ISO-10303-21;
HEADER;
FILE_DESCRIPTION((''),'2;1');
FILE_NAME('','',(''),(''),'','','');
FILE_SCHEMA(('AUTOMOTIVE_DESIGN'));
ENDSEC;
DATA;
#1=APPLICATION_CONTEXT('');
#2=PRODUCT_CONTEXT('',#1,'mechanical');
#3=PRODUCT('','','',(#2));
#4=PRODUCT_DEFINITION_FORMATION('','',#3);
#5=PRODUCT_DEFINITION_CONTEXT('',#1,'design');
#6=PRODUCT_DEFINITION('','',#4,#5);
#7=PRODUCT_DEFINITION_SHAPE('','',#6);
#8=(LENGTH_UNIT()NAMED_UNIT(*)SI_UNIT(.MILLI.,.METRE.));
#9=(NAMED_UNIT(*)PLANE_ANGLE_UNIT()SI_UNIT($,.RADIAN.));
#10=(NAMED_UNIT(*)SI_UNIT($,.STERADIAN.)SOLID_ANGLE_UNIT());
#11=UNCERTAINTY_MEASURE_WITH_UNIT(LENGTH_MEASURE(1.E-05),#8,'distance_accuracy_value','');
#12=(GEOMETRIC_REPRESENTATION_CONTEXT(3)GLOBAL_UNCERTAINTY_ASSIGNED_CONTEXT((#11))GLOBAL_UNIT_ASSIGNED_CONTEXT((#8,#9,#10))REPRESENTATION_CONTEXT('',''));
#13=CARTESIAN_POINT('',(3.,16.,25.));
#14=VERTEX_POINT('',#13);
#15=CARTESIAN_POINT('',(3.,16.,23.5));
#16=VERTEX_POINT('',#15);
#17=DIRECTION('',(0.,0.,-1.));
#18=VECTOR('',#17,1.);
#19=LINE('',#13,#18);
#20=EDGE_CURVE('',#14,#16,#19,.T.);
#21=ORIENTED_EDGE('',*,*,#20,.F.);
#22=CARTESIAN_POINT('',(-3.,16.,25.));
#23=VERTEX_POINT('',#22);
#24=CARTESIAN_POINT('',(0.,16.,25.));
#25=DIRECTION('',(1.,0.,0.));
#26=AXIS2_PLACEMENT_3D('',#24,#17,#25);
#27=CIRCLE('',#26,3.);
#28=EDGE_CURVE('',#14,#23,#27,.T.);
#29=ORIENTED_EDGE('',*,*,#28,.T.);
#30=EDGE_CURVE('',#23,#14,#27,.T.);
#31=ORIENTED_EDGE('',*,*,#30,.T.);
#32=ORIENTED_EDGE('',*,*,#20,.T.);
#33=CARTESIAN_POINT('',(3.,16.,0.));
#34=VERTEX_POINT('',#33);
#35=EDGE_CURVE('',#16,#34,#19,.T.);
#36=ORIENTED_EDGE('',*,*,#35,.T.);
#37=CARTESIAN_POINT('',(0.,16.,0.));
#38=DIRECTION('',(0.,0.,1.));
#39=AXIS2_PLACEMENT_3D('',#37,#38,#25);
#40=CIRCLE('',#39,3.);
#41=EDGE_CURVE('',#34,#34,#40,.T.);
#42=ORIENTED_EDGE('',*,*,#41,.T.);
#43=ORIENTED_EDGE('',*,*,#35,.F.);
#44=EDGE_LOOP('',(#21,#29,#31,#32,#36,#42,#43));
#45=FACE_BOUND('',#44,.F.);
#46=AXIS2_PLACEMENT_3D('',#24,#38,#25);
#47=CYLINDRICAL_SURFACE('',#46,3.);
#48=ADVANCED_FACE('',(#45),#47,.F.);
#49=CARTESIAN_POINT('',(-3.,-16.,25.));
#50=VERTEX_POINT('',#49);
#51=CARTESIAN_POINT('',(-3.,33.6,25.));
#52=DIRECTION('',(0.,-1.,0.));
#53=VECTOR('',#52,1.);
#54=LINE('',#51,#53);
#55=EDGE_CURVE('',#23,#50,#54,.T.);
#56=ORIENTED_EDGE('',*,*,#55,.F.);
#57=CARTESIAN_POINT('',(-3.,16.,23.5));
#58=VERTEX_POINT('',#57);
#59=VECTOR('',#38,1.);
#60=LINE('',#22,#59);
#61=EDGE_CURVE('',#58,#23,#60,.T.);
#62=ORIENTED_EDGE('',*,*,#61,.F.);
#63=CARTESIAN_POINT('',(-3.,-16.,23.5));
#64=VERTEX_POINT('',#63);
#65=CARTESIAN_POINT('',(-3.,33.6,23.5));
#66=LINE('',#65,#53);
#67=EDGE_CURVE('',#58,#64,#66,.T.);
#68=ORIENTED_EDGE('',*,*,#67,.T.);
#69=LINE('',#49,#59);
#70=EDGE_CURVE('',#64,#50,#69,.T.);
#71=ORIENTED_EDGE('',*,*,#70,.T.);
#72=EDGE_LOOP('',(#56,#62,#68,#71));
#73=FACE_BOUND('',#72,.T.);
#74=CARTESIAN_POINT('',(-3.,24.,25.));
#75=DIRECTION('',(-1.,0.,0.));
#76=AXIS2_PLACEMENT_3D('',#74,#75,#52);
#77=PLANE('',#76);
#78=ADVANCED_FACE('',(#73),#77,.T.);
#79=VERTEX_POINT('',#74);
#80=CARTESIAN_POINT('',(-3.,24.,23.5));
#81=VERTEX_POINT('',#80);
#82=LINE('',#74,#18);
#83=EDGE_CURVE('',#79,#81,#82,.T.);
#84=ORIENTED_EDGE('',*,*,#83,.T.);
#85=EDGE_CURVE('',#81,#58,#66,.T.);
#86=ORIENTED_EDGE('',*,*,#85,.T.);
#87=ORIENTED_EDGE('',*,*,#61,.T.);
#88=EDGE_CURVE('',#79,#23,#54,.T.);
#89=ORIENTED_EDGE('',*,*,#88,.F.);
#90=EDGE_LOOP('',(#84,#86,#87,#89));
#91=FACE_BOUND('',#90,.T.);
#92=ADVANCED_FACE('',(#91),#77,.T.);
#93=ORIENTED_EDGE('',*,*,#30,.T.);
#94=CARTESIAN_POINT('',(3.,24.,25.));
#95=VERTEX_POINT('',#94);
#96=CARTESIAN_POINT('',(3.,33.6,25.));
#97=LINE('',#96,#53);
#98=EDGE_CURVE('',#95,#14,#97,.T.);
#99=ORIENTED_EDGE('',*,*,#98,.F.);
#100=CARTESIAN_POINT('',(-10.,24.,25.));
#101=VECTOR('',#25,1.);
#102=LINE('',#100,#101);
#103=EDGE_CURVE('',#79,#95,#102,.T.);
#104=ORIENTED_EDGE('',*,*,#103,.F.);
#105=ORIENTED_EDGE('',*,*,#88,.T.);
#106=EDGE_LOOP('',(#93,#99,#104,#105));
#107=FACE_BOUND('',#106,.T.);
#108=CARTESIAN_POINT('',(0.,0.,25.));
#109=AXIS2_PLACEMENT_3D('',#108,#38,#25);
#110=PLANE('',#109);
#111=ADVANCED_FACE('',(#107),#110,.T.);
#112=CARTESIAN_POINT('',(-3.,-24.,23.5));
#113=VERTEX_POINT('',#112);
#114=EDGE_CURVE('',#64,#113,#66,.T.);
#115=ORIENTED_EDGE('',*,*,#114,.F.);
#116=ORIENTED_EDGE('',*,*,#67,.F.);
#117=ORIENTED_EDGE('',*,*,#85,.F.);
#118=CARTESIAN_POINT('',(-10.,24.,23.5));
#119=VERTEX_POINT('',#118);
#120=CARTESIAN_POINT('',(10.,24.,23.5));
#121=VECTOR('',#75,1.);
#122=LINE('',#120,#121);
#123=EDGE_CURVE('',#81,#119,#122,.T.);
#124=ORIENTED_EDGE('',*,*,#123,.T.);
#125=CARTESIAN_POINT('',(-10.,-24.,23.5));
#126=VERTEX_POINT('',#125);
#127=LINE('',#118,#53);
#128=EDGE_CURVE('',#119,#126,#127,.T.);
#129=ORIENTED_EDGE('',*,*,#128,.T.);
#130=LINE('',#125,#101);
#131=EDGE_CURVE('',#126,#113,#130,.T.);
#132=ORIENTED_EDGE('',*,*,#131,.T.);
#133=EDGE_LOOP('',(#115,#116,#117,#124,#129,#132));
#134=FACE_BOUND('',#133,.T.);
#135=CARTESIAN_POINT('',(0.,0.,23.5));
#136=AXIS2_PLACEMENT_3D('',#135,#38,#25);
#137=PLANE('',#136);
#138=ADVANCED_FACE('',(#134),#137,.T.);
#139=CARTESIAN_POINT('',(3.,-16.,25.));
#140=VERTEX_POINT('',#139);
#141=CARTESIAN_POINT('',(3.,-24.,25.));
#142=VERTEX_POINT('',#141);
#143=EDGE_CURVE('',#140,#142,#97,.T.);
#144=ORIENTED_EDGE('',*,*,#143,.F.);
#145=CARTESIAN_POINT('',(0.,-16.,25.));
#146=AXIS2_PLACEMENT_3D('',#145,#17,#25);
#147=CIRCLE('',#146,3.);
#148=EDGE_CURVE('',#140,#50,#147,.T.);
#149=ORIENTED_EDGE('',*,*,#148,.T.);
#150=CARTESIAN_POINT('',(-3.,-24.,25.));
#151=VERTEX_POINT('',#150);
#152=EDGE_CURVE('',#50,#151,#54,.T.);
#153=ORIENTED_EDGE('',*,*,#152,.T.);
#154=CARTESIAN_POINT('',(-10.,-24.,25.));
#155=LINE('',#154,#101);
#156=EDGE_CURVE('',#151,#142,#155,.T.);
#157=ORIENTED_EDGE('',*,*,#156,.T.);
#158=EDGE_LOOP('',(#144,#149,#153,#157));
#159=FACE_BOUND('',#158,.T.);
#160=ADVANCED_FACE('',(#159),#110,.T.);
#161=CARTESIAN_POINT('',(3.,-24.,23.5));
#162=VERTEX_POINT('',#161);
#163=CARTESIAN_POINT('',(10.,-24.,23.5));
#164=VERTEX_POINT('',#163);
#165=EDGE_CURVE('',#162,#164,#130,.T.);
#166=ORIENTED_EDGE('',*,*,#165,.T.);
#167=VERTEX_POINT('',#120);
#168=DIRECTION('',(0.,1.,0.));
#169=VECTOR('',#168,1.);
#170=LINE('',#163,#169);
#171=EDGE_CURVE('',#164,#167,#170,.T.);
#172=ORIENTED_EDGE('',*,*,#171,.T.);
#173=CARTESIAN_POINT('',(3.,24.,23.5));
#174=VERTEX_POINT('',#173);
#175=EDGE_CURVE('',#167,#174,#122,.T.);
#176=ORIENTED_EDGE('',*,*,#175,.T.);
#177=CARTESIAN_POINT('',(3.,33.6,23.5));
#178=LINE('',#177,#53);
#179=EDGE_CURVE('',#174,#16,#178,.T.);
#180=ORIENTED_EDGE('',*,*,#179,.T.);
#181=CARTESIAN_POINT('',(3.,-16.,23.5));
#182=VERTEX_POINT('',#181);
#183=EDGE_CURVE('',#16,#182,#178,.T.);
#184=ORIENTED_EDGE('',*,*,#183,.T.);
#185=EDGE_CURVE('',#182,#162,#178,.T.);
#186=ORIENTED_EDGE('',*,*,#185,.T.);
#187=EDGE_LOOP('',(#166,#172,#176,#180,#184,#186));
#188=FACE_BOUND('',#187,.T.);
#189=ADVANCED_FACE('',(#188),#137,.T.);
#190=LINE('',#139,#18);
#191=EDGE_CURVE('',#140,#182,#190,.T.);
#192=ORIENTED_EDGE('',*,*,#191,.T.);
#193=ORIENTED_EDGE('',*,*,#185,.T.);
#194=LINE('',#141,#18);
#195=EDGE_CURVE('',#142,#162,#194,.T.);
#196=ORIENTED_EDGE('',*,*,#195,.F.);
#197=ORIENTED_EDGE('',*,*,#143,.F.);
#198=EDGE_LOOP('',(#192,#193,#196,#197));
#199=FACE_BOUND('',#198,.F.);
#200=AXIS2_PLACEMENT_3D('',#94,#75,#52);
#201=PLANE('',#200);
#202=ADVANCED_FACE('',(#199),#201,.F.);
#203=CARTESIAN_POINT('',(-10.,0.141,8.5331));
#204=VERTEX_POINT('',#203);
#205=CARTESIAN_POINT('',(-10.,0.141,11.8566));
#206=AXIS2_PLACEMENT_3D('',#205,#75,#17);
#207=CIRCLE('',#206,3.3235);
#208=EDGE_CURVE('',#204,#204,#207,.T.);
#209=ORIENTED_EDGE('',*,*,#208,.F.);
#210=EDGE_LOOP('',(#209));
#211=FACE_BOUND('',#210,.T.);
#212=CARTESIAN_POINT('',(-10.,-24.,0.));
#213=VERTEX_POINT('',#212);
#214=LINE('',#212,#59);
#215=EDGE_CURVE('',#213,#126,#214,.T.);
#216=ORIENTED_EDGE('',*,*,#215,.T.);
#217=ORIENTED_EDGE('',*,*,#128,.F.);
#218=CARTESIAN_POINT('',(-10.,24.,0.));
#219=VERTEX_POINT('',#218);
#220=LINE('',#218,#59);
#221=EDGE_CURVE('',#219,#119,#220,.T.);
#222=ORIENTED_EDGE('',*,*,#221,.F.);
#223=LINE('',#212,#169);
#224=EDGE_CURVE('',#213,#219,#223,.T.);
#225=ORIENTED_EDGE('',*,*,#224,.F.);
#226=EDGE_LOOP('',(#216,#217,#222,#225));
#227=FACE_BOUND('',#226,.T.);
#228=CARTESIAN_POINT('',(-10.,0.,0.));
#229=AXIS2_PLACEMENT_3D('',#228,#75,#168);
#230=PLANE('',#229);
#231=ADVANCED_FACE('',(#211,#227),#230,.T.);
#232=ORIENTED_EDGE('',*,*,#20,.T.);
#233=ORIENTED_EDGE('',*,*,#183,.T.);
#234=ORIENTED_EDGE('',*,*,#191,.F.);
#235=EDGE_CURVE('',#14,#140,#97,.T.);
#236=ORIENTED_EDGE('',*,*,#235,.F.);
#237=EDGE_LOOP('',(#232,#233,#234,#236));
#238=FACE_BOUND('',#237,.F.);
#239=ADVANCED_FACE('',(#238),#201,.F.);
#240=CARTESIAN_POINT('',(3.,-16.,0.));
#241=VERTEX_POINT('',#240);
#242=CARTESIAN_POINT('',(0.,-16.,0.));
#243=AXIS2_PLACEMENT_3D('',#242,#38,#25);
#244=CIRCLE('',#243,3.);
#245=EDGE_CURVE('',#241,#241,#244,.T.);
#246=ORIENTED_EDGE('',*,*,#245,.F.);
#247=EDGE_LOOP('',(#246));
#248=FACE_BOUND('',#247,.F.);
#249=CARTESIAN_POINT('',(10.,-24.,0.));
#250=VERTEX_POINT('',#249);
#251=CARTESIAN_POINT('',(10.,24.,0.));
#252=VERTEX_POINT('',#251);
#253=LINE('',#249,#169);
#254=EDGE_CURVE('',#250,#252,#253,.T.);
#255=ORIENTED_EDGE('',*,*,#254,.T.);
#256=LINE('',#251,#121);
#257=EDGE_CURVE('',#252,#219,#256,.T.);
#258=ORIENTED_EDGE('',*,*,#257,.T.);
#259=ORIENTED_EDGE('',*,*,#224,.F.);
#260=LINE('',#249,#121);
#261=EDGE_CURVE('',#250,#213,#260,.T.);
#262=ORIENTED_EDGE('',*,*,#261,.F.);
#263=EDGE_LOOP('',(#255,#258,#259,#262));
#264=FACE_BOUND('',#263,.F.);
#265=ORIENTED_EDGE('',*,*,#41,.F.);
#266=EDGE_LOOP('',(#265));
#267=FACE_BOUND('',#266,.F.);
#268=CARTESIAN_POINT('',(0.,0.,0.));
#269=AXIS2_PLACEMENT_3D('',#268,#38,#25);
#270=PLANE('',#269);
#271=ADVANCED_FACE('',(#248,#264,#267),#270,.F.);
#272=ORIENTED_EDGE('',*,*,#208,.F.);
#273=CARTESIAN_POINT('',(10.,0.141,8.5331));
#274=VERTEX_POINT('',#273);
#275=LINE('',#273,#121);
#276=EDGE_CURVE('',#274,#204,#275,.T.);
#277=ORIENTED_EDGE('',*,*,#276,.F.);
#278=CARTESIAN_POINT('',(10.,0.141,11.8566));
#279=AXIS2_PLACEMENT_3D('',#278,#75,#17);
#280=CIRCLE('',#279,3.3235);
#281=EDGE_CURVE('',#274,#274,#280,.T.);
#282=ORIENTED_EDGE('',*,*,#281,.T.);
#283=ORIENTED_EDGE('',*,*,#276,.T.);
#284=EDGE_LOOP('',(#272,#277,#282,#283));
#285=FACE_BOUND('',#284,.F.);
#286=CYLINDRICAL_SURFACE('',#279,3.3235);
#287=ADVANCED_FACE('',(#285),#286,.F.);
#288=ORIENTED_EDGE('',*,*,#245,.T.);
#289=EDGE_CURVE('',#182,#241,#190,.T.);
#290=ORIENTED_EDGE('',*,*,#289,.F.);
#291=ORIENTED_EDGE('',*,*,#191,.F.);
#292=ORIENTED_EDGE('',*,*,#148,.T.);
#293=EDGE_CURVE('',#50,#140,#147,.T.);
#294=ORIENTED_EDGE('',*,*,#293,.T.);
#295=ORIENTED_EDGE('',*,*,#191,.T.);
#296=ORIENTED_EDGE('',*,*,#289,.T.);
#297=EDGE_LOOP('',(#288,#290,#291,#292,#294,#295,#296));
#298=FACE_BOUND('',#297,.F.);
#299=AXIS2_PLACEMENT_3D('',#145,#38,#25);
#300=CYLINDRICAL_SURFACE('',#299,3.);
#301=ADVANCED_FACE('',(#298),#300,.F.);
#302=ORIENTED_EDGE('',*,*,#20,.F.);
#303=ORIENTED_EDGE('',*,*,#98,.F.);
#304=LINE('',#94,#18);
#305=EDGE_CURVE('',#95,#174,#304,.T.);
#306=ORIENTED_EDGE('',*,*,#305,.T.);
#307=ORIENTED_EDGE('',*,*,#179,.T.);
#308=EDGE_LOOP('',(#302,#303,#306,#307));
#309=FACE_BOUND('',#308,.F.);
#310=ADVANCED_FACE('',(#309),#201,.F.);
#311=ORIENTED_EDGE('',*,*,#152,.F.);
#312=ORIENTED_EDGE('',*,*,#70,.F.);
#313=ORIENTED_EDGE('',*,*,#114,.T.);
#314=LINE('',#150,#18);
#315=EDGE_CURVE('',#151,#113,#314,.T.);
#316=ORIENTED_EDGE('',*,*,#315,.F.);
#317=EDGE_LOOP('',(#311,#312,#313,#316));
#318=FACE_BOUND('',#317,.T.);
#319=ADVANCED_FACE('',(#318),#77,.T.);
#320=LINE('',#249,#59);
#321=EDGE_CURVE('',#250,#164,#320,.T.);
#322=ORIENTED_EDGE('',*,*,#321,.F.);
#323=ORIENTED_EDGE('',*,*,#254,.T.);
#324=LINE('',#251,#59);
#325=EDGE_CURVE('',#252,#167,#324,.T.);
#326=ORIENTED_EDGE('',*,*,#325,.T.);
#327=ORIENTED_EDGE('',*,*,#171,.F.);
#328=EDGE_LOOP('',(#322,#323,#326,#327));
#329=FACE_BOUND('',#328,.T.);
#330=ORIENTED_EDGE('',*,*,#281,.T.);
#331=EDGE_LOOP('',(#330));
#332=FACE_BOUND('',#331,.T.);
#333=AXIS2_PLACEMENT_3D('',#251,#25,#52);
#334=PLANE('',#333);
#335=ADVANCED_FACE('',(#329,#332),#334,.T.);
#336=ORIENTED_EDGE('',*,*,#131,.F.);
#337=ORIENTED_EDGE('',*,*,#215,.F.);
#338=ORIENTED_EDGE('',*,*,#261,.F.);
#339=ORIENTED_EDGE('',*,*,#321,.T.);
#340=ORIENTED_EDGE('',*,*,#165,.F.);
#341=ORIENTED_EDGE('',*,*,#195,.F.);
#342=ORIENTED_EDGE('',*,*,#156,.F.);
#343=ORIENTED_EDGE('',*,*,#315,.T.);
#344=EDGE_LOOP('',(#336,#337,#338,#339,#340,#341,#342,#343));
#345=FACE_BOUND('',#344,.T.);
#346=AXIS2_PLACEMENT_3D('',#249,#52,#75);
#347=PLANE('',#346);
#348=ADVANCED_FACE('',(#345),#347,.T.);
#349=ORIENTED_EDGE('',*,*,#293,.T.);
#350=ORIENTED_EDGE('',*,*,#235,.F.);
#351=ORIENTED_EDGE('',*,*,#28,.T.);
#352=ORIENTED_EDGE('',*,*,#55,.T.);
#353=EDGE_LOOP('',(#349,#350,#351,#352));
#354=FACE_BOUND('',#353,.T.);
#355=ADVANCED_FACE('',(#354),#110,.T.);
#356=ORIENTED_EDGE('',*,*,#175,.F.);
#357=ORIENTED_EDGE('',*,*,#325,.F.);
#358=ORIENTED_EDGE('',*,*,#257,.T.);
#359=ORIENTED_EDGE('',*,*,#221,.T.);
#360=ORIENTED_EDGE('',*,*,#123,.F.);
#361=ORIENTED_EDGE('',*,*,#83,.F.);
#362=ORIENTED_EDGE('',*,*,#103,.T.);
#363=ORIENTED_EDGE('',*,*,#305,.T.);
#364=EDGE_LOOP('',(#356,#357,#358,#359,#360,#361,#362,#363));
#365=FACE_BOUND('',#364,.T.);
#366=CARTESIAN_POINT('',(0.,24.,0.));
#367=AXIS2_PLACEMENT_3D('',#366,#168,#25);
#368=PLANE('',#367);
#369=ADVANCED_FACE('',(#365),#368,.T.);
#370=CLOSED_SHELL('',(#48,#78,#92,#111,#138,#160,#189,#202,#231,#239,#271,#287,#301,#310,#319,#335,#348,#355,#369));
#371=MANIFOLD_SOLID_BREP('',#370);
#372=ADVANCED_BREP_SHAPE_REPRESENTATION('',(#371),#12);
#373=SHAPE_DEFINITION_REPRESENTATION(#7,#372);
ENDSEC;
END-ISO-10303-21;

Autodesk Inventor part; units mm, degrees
ref_plane "YZ Plane" through (0, 0, 0) normal (1, 0, 0) x (0, 1, 0)
ref_plane "XZ Plane" through (0, 0, 0) normal (0, 1, 0) x (-1, 0, 0)
ref_plane "XY Plane" through (0, 0, 0) normal (0, 0, 1) x (1, 0, 0)
sketch "Sketch1" plane through (0, 0, 0) normal (0, 0, 1) x (1, 0, 0)
  line L0 (0, 33.6) -> (0, -33.6) projected
  line L1 (-14, 0) -> (14, 0) projected
  line L2 (-10, 24) -> (10, 24)
  line L3 (10, 24) -> (10, -24)
  line L4 (10, -24) -> (-10, -24)
  line L5 (-10, -24) -> (-10, 24)
  point P0 (0, 0)
  dimension "d0" = 20
  dimension "d1" = 48
extrude "Extrusion1" add sketch "Sketch1" along normal blind 25
sketch "Sketch2" plane through (0, 0, 25) normal (0, 0, 1) x (1, 0, 0)
  line L0 (-10, -24) -> (10, -24) projected
  line L1 (10, -24) -> (10, 24) projected
  line L2 (10, 24) -> (-10, 24) projected
  line L3 (-10, 24) -> (-10, -24) projected
  line L4 (0, 47.04) -> (0, -47.04) projected
  line L5 (3, 33.6) -> (3, -33.6)
  line L6 (-3, 33.6) -> (-3, -33.6)
  point P0 (0, 0)
  point P1 (3, 24)
  point P2 (3, -24)
  point P3 (-3, -24)
  point P4 (-3, 24)
  dimension "d4" = 3
  dimension "d5" = 3
extrude "Extrusion2" cut sketch "Sketch2" against normal blind 1.5 contours L3 L2 L6 L0 | L5 L2 L1 L0
sketch "Sketch3" plane through (10, -24, 0) normal (1, 0, 0) x (0, 0, -1)
  line L0 (-30, 24) -> (5, 24) projected
  line L1 (-23.5, 48) -> (-23.5, 0) projected
  line L2 (0, 0) -> (-23.5, 0) projected
  line L3 (0, 0) -> (0, 48) projected
  line L4 (0, 48) -> (-23.5, 48) projected
  line L5 (-25, 0) -> (-25, 48) projected
  line L6 (-23.5, 0) -> (-25, 0) projected
  line L7 (-23.5, 0) -> (-23.5, 48) projected
  line L8 (-25, 48) -> (-23.5, 48) projected
  line L9 (0, 0) -> (-23.5, 0) projected
  line L10 (-11.75, 0) -> (-11.75, 48)
  line L11 (0, 48) -> (-23.5, 48) projected
  point P0 (0, 24)
sketch "Sketch4" plane through (10, -24, 0) normal (1, 0, 0) x (0, 0, -1)
  point P0 (0, 24)
  point P1 (-11.8566, 24.141)
hole "Hole1" at (10, 0.141, 11.8566) direction (-1, 0, 0) diameter 6.647 end through all thread size "M8x1.25" class "6H" standard "ISO Metric profile"
sketch "Sketch5" plane through (0, 0, 25) normal (0, 0, 1) x (1, 0, 0)
  line L0 (3, -24) -> (3, 24) projected
  line L1 (3, 24) -> (-3, 24) projected
  line L2 (-3, 24) -> (-3, -24) projected
  line L3 (-3, -24) -> (3, -24) projected
  circle A0 centre (0, 16) radius 3
  circle A1 centre (0, -16) radius 3
  line L4 (0, 33.6) -> (0, -33.6) projected
  point P0 (0, 0)
  dimension "d15" = 6
  dimension "d16" = 6
  dimension "d17" = 8
  dimension "d18" = 8
extrude "Extrusion3" cut sketch "Sketch5" against normal through all contours A1 L4 | A0 L4 | L4 A1 | L4 A0
properties part number "elbow clamp"
